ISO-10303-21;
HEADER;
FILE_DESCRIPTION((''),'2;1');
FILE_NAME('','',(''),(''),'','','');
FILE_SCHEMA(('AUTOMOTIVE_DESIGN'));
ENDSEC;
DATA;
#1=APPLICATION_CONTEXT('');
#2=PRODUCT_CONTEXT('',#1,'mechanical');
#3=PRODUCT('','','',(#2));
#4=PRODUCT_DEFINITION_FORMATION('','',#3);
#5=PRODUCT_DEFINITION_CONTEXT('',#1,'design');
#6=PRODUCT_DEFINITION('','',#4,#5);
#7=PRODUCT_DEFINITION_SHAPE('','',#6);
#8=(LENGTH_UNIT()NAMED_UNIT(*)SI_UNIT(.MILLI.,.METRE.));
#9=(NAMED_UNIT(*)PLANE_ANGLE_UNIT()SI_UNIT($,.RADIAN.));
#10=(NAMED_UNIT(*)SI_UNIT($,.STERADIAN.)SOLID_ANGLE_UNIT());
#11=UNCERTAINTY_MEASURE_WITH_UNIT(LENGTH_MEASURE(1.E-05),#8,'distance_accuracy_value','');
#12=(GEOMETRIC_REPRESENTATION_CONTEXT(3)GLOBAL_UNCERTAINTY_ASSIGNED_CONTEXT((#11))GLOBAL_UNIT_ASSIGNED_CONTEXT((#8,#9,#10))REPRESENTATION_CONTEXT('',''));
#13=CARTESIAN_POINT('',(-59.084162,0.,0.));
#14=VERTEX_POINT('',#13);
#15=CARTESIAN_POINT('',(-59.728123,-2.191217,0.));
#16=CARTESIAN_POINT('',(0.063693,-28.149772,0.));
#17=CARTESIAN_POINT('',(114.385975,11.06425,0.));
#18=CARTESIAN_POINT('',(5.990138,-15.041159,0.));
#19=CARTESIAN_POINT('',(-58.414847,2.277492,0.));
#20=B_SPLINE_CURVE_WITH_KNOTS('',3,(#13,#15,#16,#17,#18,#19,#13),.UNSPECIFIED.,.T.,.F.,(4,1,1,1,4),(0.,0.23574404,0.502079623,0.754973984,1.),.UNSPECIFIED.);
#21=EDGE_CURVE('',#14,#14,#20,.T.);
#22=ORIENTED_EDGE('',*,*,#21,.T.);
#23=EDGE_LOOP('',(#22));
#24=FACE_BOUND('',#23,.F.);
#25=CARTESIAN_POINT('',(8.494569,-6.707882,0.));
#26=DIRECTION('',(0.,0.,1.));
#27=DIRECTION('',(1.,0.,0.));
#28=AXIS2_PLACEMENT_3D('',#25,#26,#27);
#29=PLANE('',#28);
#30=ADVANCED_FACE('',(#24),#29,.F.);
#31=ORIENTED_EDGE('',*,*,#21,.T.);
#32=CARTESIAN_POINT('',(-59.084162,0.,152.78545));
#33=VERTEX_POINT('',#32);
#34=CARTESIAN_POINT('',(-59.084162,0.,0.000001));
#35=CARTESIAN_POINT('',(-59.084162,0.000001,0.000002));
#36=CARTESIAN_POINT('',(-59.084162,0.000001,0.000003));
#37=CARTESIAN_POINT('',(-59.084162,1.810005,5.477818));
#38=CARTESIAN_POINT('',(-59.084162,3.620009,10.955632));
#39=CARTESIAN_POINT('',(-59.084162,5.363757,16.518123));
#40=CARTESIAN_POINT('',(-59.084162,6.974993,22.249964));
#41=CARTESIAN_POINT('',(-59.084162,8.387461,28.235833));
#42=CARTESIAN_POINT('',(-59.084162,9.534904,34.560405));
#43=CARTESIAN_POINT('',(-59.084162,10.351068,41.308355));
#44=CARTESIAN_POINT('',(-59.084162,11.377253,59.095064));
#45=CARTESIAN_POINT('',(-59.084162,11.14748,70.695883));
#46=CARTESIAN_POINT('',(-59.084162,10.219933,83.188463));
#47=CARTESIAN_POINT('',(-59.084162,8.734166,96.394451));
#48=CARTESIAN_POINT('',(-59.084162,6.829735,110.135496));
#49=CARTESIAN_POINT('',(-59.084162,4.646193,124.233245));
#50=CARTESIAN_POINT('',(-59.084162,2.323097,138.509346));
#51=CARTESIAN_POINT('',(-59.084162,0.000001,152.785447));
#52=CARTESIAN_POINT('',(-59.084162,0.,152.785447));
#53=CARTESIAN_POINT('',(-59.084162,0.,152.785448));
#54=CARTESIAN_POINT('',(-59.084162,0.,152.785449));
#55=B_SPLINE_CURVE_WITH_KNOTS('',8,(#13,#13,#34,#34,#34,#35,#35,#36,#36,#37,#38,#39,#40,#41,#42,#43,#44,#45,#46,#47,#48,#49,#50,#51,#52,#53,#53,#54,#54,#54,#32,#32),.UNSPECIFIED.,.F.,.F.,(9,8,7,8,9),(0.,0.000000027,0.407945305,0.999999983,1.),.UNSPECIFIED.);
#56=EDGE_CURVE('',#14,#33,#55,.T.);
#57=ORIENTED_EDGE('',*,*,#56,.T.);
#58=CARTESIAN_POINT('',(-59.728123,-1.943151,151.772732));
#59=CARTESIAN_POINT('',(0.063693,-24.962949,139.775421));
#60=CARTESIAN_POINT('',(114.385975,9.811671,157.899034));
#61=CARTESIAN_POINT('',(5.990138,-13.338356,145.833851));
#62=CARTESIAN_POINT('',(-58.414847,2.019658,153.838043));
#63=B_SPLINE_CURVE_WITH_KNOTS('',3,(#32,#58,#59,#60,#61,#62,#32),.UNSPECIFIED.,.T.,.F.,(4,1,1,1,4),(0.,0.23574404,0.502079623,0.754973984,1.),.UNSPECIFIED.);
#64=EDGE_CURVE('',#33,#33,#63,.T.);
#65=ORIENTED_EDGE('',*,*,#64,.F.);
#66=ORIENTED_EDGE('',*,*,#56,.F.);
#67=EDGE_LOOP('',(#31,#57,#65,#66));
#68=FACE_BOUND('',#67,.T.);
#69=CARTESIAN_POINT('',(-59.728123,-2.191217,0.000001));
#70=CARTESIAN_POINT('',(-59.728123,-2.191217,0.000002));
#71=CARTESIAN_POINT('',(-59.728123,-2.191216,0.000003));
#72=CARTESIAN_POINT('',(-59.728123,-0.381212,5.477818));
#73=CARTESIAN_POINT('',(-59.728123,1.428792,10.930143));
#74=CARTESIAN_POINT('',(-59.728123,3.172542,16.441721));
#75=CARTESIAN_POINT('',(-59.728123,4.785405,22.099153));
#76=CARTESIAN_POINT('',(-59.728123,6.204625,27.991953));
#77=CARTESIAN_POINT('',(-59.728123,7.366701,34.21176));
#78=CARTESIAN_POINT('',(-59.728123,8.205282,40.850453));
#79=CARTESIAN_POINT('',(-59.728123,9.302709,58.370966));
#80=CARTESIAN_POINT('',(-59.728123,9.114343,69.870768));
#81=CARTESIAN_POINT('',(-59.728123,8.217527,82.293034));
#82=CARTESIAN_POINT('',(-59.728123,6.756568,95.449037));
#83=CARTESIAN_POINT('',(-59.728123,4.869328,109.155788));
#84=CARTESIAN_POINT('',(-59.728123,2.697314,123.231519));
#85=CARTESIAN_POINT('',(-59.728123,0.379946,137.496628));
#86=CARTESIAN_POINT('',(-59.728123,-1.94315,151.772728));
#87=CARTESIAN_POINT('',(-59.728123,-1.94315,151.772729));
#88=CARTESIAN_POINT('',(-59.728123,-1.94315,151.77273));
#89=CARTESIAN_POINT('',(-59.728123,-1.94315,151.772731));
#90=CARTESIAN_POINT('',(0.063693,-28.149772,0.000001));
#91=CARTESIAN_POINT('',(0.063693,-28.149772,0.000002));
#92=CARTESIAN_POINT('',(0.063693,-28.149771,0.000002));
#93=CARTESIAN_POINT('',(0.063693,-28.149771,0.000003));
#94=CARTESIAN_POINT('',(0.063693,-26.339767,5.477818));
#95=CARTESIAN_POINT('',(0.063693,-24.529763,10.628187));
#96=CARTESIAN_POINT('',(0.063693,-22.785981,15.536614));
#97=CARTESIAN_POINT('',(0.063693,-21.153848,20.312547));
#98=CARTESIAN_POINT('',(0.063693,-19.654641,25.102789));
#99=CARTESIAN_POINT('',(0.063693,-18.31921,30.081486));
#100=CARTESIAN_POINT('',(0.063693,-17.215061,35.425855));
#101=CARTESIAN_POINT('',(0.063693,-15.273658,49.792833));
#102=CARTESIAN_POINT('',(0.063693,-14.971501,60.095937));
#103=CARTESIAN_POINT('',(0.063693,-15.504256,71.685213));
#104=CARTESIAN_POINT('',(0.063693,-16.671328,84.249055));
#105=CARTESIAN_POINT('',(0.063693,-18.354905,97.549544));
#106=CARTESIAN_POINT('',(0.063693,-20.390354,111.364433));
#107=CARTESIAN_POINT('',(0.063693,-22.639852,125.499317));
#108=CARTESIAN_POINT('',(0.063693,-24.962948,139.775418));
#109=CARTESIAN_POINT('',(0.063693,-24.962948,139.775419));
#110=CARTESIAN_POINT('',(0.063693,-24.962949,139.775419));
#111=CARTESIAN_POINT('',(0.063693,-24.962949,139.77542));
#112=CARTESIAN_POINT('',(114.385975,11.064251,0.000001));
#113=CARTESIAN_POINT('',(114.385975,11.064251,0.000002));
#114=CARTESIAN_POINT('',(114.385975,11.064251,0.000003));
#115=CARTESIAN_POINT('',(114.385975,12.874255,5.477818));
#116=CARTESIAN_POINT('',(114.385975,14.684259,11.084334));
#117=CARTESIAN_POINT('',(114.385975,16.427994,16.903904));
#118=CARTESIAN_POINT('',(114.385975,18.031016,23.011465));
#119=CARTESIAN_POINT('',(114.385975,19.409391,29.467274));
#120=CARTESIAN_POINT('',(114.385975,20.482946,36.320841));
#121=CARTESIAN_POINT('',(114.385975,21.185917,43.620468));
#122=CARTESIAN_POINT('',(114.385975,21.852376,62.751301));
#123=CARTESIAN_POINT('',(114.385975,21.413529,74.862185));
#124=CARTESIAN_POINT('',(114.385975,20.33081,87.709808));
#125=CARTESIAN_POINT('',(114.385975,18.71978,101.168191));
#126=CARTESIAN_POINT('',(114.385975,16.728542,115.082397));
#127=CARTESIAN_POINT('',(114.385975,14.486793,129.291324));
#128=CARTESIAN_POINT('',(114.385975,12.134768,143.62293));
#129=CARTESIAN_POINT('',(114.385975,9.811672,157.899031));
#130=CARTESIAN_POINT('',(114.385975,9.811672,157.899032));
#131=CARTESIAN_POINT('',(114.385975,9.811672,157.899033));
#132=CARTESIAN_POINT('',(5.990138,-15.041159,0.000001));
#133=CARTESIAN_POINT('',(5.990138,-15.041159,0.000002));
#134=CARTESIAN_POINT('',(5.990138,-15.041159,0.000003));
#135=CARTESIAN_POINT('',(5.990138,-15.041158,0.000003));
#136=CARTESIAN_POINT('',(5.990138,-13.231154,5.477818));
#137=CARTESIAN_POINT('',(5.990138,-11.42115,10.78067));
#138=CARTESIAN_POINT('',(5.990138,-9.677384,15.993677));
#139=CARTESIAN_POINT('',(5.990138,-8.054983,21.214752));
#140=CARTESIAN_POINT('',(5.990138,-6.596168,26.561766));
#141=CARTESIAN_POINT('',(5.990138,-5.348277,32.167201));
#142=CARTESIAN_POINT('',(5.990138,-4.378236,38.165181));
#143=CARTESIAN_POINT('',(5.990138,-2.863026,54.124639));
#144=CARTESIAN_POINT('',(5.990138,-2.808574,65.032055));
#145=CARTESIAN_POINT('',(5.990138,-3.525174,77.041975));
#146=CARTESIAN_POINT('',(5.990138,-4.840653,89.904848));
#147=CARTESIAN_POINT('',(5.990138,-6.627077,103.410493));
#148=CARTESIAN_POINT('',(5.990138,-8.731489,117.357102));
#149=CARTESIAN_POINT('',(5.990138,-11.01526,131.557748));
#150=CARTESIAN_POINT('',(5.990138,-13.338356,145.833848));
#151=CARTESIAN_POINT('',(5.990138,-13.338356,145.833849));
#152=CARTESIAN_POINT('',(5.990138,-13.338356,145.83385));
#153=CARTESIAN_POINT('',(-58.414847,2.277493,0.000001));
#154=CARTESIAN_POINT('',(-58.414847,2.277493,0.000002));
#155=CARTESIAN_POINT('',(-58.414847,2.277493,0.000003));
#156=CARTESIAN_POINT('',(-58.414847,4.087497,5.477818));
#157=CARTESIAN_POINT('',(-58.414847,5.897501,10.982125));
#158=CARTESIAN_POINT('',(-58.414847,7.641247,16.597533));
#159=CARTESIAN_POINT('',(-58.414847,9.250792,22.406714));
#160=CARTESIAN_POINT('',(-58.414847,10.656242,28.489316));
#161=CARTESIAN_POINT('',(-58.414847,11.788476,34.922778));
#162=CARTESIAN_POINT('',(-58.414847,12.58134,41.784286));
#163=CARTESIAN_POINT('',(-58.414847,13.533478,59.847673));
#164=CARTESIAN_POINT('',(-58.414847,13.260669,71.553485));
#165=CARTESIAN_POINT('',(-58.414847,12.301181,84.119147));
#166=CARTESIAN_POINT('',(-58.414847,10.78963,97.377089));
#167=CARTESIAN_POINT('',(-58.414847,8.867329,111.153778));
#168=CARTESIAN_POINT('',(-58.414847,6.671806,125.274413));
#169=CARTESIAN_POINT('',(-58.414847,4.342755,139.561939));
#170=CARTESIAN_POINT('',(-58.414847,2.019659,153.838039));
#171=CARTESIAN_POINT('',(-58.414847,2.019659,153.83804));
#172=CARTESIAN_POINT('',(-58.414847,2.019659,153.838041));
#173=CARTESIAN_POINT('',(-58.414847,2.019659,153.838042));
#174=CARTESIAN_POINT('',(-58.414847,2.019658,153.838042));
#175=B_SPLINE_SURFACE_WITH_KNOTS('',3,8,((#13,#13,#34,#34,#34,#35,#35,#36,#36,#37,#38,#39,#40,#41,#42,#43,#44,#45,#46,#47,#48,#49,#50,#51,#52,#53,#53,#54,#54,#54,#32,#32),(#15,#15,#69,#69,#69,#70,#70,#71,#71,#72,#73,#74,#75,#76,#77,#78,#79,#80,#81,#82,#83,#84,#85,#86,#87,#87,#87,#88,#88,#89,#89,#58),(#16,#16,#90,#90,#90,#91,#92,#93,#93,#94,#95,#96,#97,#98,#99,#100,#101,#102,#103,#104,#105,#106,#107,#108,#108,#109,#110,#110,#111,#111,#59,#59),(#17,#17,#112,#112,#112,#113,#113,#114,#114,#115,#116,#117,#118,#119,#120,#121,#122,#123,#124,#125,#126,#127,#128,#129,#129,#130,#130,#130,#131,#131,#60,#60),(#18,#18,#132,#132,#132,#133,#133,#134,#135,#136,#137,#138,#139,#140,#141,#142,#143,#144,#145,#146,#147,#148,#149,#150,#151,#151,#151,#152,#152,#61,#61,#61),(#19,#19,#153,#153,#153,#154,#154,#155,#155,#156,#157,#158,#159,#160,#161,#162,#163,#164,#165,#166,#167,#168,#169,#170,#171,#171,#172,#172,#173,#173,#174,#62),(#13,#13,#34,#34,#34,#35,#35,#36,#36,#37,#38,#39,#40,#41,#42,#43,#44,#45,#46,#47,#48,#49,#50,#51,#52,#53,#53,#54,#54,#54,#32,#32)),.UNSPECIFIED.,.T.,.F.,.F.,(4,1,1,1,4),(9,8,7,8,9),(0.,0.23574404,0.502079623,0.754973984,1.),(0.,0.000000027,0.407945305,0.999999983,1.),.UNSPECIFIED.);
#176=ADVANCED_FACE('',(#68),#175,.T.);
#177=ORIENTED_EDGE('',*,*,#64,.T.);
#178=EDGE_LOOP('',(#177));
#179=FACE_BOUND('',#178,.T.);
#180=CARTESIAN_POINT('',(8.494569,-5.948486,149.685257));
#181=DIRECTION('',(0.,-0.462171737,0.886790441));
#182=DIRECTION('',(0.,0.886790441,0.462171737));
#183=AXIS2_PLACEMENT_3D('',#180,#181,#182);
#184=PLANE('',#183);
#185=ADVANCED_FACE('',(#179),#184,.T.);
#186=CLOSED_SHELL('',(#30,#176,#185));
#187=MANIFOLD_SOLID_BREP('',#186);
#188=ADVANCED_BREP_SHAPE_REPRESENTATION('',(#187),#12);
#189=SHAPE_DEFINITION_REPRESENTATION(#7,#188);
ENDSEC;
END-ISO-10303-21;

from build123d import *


with BuildPart() as f0:
    # F0: sweep along a path in F2
    with BuildLine(Plane.YZ) as f0_path:
        add(Plane.YZ * Edge.make_bspline(
            [(0, 0), (4.8266776689, 14.6075066745), (16.6583568841, 50.4150190573), (6.1949237366, 114.715847682), (0, 152.7854502201)],
            knots=[0, 0, 0, 0, 0.4079453046, 1, 1, 1, 1], degree=3))
    # F3 (on Top) → F0 (sweep)
    with BuildSketch(Plane.XY):
        with BuildLine():
            add(Edge.make_bspline(
                [(-59.0841621161, 0), (-58.4148469297, 2.2774923322), (5.9901382833, -15.0411594439), (114.3859745228, 11.064250306), (0.0636929782, -28.1497721889), (-59.7281225744, -2.1912172861), (-59.0841621161, 0)],
                knots=[0, 0, 0, 0, 0.2450260164, 0.497920377, 0.7642559603, 1, 1, 1, 1], degree=3))
        make_face()
    sweep(path=f0_path.line)


solid = f0.part
